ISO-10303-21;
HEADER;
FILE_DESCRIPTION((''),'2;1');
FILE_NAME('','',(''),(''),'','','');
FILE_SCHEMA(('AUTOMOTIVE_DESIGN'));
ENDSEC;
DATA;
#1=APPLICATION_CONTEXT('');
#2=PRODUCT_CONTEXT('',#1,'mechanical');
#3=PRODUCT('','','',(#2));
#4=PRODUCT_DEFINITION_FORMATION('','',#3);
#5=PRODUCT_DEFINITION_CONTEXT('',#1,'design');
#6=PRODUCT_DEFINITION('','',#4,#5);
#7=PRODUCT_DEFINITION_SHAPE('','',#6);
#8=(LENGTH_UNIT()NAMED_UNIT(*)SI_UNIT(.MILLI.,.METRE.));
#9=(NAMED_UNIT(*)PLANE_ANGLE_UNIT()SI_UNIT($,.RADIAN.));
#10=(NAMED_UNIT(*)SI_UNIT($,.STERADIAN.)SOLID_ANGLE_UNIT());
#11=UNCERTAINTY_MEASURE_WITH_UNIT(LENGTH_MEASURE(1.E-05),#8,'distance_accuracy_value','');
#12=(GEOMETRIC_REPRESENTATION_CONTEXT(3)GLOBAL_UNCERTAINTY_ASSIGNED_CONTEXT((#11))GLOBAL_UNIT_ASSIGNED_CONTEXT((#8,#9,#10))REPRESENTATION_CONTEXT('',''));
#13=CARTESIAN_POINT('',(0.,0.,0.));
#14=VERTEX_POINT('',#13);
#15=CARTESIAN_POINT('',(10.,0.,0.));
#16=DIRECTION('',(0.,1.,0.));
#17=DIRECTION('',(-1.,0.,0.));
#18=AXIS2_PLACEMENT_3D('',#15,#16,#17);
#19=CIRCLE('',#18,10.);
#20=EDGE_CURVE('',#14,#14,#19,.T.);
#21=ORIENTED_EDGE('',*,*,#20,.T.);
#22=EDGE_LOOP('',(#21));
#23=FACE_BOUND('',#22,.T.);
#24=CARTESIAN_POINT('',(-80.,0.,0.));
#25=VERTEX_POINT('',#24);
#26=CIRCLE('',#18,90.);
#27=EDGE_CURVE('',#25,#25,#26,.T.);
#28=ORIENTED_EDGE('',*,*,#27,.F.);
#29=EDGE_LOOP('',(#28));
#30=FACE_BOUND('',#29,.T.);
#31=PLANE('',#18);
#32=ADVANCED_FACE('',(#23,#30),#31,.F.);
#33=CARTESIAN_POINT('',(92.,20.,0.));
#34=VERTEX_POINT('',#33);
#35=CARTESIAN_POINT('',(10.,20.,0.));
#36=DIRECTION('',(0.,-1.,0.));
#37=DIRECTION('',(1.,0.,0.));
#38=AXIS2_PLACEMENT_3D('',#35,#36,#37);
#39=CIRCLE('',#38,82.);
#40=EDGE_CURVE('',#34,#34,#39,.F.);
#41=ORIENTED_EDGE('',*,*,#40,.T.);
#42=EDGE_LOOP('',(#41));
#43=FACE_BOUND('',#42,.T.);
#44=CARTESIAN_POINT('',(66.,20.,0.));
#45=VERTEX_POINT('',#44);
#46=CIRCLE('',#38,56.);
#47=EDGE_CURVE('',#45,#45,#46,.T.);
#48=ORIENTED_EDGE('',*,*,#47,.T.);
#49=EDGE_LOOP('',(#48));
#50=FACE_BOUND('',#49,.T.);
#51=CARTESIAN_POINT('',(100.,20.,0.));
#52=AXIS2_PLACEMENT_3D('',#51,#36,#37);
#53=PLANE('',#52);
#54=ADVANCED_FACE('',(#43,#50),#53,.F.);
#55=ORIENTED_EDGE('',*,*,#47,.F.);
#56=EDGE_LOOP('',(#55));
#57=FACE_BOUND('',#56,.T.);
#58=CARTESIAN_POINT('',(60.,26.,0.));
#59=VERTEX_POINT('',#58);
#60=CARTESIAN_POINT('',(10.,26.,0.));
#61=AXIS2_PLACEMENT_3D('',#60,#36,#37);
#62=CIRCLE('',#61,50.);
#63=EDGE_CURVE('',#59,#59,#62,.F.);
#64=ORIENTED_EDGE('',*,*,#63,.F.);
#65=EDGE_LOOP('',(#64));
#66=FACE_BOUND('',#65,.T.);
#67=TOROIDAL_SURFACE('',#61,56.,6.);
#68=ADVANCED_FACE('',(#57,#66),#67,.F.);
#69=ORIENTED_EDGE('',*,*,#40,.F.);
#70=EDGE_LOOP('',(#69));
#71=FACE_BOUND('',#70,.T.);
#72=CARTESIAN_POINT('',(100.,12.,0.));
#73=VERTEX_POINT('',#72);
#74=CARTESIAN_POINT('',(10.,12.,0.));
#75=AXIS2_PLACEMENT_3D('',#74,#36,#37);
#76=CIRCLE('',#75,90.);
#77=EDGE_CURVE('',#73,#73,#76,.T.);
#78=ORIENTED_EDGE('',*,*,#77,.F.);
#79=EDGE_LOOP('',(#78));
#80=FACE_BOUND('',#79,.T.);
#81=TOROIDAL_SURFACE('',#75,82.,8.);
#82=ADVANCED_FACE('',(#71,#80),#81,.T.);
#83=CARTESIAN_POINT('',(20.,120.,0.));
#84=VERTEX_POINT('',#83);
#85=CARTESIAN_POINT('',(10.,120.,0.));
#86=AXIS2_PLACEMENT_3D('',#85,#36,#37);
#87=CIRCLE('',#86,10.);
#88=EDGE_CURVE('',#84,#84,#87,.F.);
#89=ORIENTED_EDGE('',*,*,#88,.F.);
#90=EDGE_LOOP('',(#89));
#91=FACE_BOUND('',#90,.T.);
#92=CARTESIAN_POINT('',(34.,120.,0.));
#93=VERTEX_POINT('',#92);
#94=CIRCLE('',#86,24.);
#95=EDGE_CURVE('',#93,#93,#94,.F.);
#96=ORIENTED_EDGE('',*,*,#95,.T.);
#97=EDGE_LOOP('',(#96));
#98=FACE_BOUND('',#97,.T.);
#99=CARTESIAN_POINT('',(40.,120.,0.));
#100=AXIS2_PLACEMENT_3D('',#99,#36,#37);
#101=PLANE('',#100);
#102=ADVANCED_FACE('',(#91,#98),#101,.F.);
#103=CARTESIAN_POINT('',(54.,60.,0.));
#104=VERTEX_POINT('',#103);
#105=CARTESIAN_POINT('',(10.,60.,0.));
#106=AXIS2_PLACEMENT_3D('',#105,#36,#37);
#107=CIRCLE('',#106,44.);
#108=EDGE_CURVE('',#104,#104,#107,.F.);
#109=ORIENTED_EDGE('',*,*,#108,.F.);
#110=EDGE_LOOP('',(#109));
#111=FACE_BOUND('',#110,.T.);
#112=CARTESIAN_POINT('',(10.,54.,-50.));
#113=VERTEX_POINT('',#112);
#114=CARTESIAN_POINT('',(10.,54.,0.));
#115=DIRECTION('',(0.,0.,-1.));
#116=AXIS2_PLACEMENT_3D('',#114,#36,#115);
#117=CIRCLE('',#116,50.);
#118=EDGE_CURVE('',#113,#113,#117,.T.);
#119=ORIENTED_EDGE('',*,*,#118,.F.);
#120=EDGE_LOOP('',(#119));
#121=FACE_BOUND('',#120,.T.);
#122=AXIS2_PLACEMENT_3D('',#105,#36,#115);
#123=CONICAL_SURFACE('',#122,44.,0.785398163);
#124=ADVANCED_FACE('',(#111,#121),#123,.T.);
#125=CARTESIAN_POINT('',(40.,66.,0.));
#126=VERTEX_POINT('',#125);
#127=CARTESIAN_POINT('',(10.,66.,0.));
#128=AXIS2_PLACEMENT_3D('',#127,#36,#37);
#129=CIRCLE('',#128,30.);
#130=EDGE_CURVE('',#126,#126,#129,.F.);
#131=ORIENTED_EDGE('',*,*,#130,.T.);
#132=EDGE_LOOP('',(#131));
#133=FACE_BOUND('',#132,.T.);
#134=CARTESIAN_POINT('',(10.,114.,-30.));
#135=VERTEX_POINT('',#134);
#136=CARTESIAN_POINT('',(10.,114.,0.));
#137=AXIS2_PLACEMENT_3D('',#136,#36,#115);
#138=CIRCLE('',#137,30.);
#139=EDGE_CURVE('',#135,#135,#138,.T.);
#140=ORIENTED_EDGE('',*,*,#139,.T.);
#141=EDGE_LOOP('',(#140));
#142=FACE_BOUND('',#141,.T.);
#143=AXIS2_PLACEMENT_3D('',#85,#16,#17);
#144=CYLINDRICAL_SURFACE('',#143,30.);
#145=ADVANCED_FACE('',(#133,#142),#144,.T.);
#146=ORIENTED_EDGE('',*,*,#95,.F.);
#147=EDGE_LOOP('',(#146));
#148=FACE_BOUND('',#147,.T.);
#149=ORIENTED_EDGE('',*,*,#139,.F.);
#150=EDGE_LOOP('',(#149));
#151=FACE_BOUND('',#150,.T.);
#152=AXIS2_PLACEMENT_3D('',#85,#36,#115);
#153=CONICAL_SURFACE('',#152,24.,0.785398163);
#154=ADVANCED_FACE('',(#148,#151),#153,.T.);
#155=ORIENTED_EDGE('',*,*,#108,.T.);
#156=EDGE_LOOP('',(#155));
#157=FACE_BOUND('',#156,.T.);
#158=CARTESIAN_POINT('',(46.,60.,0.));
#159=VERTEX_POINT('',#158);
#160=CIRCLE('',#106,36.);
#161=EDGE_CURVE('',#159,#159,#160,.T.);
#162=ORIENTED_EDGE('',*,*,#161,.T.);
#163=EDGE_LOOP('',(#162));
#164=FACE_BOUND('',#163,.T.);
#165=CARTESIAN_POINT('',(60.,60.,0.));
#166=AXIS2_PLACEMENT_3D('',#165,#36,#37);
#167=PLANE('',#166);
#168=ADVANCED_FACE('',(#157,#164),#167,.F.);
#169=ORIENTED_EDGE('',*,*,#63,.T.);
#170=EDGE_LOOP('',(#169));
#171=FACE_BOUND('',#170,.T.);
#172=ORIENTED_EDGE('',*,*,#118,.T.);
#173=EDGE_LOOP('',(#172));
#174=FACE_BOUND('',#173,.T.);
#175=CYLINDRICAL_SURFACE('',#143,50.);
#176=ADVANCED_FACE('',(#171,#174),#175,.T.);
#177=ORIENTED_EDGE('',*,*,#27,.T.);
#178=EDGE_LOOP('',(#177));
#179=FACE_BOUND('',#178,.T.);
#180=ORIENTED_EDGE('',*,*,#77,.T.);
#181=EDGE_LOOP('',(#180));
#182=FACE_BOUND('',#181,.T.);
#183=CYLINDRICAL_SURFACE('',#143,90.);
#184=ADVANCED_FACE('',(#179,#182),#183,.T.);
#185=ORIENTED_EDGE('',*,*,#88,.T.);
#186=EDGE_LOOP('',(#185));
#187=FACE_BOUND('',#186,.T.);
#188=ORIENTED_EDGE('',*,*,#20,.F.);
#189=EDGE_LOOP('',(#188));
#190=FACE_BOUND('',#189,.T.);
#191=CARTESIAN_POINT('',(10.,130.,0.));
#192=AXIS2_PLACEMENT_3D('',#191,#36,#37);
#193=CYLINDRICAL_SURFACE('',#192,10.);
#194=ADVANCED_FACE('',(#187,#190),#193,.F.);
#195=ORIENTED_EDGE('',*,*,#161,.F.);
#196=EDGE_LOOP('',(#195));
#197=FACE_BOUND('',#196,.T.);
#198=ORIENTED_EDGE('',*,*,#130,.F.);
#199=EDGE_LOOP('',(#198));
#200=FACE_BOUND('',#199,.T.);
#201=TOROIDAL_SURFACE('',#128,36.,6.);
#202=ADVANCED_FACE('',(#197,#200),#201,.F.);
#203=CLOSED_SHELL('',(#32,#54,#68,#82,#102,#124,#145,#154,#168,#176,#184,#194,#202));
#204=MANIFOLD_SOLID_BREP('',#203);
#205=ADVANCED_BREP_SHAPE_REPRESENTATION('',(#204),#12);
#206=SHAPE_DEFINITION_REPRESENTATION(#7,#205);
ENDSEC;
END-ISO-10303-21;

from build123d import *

# Parameters (mm, degrees)
FILLET2_R               = 8
FILLET3_R               = 6
FILLET4_R               = 6
SKETCH3_R               = 10
CUT_EXTRUDE2_DEPTH      = 10
CUT_EXTRUDE2_DEPTH_BACK = 121
CHAMFER2_SIZE           = 6


with BuildPart() as part:
    # Sketch2 → Revolve1 (revolve)
    with BuildSketch(Plane.XY):
        Polygon((10, 120), (10, 0), (100, 0), (100, 20), (60, 20), (60, 60), (40, 60), (40, 120), align=None)
    revolve(axis=Axis((10, 120, 0), (0, -1, 0)))

    # Fillet2
    fillet2_edges = [part.edges().sort_by_distance(p)[0] for p in [
        (-80, 20, 0),
    ]]
    fillet(fillet2_edges, radius=FILLET2_R)

    # Fillet3
    fillet3_edges = [part.edges().sort_by_distance(p)[0] for p in [
        (-40, 20, 0),
    ]]
    fillet(fillet3_edges, radius=FILLET3_R)

    # Fillet4
    fillet4_edges = [part.edges().sort_by_distance(p)[0] for p in [
        (-20, 60, 0),
    ]]
    fillet(fillet4_edges, radius=FILLET4_R)

    # Sketch3 → Cut-Extrude2 (cut, two sides)
    with BuildSketch(Plane(origin=(0, 120, 0), x_dir=(1, 0, 0), z_dir=(0, 1, 0))) as cut_extrude2_sk:
        with Locations((10, 0)):
            Circle(SKETCH3_R)
    extrude(amount=CUT_EXTRUDE2_DEPTH, mode=Mode.SUBTRACT)
    extrude(cut_extrude2_sk.sketch, amount=-CUT_EXTRUDE2_DEPTH_BACK, mode=Mode.SUBTRACT)

    # Chamfer2
    chamfer2_edges = [part.edges().sort_by_distance(p)[0] for p in [
        (-20, 120, 0),
        (-40, 60, 0),
    ]]
    chamfer(chamfer2_edges, length=CHAMFER2_SIZE)


solid = part.part
